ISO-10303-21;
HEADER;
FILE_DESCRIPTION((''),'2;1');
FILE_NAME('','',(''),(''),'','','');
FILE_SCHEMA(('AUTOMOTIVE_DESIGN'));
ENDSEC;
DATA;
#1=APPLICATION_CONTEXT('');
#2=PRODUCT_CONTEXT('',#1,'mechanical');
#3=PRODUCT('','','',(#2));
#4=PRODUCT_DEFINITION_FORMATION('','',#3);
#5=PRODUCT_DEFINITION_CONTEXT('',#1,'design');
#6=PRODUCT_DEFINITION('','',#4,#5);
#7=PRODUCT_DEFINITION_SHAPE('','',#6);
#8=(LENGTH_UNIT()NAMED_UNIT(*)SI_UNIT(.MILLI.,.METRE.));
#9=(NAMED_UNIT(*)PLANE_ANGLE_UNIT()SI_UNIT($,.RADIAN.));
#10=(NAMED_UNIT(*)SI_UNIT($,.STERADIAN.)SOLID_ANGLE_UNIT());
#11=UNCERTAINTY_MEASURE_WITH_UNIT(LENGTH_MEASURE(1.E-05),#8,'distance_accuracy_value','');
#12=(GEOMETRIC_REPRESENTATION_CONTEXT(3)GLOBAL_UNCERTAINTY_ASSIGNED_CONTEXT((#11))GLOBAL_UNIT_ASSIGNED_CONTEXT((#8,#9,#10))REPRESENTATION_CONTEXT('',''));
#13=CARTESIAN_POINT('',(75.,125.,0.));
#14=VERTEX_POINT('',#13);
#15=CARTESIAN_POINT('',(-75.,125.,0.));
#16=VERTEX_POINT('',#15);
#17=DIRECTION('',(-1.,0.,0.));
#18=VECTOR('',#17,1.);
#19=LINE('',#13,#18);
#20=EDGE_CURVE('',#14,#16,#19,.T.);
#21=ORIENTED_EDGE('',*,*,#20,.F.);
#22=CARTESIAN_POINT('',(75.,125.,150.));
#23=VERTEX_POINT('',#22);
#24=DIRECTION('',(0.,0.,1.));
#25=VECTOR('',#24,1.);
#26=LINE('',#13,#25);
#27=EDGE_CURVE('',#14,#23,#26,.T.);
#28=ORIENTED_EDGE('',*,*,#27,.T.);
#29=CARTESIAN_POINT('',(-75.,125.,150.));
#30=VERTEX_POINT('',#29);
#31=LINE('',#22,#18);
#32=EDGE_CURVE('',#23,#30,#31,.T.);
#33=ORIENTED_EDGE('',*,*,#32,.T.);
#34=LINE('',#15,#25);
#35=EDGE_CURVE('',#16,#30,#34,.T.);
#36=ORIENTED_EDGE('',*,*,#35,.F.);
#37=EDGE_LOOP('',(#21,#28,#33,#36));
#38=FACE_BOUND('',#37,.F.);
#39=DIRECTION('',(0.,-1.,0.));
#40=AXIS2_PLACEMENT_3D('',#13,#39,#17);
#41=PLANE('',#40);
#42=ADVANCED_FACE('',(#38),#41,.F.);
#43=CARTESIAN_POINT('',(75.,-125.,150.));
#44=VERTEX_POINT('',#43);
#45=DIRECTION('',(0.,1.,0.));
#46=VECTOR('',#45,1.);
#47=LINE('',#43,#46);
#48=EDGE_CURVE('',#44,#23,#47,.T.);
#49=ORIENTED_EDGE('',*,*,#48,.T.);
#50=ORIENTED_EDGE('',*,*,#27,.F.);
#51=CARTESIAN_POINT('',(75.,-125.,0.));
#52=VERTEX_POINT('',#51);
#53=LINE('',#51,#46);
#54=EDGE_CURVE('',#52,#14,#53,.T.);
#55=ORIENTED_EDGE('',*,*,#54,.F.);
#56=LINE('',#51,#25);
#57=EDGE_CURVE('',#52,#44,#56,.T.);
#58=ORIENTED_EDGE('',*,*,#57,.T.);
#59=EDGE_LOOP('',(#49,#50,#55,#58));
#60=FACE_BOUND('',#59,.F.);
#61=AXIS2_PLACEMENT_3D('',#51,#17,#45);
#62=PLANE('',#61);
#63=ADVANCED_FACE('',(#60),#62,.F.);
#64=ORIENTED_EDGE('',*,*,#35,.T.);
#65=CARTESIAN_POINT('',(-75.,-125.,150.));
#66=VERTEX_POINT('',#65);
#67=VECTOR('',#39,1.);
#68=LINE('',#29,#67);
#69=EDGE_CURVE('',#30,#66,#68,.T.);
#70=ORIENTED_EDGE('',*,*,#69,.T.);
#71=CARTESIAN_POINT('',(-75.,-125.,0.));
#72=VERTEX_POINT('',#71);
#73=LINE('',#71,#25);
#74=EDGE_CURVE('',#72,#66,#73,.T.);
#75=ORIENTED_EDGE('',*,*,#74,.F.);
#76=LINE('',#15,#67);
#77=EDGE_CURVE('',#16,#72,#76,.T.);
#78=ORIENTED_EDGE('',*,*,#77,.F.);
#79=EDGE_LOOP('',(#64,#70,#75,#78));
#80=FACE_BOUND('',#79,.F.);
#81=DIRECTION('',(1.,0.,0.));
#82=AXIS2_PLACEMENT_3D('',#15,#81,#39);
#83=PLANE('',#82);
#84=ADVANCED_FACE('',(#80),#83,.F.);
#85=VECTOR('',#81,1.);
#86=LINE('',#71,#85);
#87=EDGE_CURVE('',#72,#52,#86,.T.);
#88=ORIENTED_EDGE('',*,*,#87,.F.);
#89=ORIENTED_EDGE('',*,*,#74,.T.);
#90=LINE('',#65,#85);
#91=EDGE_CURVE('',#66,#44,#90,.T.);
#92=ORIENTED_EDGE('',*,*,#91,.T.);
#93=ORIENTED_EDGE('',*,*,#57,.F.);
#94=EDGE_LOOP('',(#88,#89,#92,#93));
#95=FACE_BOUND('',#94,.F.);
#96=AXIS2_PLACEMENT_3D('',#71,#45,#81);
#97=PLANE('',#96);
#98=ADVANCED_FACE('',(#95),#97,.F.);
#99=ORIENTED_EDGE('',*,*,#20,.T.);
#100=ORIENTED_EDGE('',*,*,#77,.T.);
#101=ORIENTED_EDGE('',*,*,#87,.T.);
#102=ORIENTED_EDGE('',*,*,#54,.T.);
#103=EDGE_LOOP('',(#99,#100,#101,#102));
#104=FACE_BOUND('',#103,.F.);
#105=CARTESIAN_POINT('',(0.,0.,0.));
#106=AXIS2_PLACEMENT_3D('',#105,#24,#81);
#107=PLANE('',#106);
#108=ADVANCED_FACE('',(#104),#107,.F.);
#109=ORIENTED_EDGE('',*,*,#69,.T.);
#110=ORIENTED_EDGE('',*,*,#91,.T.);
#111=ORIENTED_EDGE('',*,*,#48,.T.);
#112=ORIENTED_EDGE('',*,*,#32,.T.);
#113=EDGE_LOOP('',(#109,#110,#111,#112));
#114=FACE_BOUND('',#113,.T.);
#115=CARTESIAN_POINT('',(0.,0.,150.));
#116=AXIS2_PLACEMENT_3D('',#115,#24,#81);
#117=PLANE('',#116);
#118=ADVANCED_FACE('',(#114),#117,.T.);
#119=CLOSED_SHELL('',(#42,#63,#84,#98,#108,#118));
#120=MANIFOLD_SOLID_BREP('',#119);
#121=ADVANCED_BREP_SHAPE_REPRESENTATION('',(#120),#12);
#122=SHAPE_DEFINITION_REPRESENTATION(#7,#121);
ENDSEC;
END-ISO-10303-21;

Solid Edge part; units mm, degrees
sketch "Sketch1" plane through (0, 0, 0) normal (0, 0, 1) x (1, 0, 0)
  line L0 (-75, 125) -> (-75, -125)
  line L1 (-75, -125) -> (75, -125)
  line L2 (75, -125) -> (75, 125)
  line L3 (75, 125) -> (-75, 125)
extrude "Protrusion1" add sketch "Sketch1" along normal blind 150
